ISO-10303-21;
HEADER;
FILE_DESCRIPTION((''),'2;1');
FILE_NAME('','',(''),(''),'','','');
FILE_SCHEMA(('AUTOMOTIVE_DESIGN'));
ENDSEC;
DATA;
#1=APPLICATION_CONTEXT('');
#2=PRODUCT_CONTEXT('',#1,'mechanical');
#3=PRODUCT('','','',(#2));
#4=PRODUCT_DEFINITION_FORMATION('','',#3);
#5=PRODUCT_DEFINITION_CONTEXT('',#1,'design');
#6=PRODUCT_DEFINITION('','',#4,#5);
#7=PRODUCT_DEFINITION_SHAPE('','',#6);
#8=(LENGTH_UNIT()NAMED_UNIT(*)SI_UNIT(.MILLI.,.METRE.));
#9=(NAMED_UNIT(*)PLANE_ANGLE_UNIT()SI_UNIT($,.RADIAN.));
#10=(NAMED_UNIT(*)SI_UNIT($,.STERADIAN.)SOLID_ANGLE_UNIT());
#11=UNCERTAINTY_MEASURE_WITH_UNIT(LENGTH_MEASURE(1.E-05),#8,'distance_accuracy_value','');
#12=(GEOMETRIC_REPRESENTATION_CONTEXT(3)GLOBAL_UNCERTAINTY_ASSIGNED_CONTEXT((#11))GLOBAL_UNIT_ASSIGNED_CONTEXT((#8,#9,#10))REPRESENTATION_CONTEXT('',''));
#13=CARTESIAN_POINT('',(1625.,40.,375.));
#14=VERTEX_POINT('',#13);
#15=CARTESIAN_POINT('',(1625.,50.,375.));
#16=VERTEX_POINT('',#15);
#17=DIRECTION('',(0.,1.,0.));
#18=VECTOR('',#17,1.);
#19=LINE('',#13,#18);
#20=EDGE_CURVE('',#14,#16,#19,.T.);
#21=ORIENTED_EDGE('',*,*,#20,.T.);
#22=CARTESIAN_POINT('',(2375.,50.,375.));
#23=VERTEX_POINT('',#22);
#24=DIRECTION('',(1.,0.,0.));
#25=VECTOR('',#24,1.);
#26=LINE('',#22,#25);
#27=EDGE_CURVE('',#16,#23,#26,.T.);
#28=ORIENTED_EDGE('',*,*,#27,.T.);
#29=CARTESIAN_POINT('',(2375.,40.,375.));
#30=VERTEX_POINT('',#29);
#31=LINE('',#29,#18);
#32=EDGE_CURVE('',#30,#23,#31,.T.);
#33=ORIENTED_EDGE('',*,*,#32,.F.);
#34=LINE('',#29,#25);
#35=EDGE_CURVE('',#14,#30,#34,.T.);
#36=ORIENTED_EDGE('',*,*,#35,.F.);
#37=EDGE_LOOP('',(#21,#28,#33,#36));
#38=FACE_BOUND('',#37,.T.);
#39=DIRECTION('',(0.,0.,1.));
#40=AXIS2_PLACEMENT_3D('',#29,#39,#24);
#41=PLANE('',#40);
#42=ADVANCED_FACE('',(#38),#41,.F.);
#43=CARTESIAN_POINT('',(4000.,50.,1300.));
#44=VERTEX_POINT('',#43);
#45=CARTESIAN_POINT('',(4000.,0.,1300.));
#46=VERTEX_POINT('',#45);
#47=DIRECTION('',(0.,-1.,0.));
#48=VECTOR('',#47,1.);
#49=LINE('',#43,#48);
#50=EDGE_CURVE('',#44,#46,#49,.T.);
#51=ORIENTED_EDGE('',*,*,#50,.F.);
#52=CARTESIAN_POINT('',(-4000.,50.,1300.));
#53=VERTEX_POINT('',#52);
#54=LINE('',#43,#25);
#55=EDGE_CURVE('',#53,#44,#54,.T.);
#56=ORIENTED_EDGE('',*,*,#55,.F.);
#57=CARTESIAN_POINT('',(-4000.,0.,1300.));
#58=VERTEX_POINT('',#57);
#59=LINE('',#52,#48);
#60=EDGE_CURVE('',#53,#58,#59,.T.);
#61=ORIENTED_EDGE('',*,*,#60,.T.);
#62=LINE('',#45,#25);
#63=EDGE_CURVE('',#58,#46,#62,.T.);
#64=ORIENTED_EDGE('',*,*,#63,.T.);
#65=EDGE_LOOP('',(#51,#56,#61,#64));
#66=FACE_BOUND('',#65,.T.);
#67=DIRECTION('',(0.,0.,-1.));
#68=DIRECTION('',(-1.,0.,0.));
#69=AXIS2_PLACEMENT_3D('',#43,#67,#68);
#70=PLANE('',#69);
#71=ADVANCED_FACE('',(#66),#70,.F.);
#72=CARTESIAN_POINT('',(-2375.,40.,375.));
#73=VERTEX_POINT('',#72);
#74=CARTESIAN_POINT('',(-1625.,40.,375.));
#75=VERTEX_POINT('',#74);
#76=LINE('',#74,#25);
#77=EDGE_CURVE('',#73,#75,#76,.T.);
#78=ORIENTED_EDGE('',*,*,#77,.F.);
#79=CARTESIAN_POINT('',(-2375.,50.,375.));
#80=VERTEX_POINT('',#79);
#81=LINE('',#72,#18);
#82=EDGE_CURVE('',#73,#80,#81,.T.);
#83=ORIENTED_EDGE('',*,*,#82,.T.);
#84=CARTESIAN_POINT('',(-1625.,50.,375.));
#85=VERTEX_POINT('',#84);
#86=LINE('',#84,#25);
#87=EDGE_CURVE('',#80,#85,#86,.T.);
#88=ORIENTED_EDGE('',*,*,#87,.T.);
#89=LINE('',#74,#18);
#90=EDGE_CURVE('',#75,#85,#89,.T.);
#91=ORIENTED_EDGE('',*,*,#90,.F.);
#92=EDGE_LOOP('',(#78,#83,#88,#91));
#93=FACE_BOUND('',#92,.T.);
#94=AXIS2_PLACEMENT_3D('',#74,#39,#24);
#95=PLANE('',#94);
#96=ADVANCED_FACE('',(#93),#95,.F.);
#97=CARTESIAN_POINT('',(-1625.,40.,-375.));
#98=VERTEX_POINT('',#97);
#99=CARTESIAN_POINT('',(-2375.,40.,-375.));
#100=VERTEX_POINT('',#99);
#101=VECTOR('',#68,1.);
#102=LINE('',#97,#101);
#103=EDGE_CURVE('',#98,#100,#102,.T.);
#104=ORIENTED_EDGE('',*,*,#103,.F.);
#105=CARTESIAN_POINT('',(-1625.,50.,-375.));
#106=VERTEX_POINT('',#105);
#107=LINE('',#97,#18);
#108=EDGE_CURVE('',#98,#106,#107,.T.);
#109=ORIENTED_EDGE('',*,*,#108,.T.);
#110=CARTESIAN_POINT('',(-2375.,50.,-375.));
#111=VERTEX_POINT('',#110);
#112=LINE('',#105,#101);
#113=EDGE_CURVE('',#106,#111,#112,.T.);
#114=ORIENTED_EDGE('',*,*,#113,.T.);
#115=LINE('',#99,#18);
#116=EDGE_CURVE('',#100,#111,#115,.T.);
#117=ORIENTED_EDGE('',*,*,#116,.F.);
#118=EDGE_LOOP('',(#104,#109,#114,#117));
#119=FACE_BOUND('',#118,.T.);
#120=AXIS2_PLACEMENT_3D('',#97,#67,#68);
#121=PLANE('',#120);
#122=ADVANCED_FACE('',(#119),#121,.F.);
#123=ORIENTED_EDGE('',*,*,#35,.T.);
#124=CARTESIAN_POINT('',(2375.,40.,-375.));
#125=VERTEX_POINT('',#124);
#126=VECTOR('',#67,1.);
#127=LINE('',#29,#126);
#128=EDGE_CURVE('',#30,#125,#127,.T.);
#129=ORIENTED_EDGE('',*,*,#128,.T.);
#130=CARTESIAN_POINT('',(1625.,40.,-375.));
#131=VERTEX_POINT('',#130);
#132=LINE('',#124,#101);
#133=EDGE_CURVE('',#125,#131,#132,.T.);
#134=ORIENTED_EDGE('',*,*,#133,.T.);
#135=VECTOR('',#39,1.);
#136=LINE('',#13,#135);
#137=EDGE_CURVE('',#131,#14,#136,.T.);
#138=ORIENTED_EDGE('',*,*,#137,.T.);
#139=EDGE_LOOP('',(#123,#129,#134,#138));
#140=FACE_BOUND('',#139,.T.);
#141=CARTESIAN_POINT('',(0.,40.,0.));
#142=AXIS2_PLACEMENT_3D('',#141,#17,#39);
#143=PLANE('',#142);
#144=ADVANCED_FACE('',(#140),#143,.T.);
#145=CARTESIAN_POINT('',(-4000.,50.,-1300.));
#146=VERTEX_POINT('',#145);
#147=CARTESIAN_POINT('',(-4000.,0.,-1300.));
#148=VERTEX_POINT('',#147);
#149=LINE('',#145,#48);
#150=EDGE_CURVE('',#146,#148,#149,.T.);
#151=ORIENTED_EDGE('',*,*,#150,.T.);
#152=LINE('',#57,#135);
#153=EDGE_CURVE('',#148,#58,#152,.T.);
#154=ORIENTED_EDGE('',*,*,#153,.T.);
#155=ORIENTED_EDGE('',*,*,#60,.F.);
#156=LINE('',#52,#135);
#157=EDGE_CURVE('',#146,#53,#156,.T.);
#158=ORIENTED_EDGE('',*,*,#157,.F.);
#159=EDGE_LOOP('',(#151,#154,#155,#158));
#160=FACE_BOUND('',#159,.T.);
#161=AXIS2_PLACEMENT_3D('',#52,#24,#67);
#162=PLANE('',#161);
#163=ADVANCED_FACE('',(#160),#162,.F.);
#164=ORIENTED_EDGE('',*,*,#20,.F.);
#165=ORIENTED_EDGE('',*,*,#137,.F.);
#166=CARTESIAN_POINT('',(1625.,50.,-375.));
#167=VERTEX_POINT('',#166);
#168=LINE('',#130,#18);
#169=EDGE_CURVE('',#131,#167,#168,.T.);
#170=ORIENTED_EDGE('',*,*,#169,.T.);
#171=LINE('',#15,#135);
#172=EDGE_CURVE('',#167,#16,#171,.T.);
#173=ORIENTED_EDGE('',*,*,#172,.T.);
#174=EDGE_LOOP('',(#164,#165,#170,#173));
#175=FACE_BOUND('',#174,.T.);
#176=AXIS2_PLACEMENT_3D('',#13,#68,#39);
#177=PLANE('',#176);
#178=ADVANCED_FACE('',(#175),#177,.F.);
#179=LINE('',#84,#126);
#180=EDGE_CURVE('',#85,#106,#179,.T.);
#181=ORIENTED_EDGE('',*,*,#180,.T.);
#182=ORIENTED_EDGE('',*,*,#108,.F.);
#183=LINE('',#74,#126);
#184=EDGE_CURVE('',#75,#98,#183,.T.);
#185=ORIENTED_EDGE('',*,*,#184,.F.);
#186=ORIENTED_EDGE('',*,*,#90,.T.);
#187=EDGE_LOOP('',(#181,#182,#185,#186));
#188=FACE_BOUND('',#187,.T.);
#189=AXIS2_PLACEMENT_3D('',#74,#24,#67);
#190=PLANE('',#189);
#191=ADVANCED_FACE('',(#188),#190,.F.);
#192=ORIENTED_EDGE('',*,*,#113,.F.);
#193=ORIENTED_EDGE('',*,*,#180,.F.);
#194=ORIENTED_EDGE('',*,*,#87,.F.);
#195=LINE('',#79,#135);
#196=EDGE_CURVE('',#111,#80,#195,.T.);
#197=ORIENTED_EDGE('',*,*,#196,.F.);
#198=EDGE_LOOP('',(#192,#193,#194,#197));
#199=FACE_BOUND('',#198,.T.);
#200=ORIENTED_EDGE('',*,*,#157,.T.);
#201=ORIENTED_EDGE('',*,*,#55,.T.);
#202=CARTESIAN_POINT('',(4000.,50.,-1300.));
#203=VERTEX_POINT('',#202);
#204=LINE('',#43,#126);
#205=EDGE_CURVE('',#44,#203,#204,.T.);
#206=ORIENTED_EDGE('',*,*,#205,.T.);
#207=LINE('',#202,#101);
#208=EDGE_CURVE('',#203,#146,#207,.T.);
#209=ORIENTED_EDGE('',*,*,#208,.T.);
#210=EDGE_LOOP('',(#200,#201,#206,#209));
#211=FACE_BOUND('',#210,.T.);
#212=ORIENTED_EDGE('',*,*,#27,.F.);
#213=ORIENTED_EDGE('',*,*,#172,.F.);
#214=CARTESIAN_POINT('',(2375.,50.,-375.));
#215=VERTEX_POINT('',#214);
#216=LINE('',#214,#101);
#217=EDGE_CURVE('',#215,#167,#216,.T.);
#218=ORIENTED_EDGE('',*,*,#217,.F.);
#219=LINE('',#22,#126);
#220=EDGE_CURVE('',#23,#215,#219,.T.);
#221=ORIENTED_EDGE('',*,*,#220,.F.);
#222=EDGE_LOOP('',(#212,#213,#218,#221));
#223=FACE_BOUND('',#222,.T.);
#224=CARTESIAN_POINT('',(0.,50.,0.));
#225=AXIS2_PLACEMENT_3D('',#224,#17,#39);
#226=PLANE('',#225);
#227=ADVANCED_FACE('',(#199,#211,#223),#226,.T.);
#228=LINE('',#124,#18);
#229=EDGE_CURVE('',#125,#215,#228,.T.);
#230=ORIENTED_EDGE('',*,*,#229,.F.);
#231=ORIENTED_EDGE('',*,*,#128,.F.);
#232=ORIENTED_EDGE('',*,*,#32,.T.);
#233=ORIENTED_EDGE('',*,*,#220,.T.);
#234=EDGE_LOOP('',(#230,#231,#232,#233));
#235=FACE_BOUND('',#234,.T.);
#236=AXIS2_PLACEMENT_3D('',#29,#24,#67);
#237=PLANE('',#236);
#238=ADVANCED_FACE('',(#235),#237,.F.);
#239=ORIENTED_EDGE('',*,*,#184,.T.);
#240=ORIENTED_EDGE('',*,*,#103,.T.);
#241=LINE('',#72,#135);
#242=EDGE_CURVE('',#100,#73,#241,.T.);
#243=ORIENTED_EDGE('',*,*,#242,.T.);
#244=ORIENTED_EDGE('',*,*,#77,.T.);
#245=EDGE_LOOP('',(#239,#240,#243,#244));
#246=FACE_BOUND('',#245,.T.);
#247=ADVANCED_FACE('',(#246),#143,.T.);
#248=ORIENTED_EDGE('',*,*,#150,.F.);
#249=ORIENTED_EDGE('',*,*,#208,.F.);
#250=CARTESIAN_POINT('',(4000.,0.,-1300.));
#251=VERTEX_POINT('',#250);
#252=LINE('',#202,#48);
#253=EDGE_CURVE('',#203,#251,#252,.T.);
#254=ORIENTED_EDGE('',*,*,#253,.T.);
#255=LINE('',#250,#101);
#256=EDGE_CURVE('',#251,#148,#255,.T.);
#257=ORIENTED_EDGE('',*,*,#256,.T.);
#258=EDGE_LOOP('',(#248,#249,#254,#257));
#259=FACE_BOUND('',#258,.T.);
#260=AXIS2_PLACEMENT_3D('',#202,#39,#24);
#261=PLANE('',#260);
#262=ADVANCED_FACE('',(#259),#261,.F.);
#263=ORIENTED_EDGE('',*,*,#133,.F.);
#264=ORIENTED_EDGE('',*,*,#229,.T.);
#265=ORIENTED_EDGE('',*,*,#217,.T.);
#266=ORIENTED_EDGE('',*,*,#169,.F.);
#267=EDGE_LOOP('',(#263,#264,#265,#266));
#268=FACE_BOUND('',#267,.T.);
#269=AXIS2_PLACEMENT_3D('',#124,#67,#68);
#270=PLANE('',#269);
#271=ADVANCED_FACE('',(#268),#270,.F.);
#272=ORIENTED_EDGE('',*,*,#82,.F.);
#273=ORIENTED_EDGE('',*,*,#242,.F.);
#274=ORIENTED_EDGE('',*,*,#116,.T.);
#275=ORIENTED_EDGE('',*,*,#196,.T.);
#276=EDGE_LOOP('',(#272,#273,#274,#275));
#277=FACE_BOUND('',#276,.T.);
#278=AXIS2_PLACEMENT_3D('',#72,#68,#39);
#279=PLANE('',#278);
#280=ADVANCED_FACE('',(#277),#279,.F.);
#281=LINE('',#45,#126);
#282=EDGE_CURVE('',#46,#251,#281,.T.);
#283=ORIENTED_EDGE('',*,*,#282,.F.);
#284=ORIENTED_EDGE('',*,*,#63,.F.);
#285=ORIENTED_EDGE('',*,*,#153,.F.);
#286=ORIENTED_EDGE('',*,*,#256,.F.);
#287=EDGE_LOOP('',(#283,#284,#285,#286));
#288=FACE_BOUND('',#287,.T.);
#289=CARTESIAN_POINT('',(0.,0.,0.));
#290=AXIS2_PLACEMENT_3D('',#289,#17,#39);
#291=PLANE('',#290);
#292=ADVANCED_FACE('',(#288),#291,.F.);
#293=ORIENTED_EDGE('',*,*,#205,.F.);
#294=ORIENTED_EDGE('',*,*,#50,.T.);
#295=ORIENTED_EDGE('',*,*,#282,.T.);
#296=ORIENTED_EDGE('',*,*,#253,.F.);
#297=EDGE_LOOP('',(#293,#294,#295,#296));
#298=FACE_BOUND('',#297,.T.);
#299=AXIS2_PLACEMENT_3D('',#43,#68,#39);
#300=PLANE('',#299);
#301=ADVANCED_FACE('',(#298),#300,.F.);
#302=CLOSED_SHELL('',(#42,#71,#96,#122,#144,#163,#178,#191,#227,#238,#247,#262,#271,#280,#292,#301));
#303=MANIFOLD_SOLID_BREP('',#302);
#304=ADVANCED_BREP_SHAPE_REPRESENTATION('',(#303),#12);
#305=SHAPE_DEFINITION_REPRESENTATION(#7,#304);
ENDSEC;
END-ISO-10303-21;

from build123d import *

# Parameters (mm, degrees)
SKETCH1_W           = 8000
SKETCH1_H           = 2600
BOSS_EXTRUDE1_DEPTH = 50
SKETCH2_W           = 750
SKETCH2_H           = 750
CUT_EXTRUDE1_DEPTH  = 10


with BuildPart() as part:
    # Sketch1 → Boss-Extrude1 (new body)
    with BuildSketch(Plane(origin=(0, 0, 0), x_dir=(1, 0, 0), z_dir=(0, 1, 0))):
        Rectangle(SKETCH1_W, SKETCH1_H)
    extrude(amount=BOSS_EXTRUDE1_DEPTH)

    # Sketch2 → Cut-Extrude1 (cut)
    with BuildSketch(Plane(origin=(0, 50, 0), x_dir=(1, 0, 0), z_dir=(0, 1, 0))):
        with Locations((-2000, 0)):
            Rectangle(SKETCH2_W, SKETCH2_H)
        with Locations((2000, 0)):
            Rectangle(SKETCH2_W, SKETCH2_H)
    extrude(amount=-CUT_EXTRUDE1_DEPTH, mode=Mode.SUBTRACT)


solid = part.part
